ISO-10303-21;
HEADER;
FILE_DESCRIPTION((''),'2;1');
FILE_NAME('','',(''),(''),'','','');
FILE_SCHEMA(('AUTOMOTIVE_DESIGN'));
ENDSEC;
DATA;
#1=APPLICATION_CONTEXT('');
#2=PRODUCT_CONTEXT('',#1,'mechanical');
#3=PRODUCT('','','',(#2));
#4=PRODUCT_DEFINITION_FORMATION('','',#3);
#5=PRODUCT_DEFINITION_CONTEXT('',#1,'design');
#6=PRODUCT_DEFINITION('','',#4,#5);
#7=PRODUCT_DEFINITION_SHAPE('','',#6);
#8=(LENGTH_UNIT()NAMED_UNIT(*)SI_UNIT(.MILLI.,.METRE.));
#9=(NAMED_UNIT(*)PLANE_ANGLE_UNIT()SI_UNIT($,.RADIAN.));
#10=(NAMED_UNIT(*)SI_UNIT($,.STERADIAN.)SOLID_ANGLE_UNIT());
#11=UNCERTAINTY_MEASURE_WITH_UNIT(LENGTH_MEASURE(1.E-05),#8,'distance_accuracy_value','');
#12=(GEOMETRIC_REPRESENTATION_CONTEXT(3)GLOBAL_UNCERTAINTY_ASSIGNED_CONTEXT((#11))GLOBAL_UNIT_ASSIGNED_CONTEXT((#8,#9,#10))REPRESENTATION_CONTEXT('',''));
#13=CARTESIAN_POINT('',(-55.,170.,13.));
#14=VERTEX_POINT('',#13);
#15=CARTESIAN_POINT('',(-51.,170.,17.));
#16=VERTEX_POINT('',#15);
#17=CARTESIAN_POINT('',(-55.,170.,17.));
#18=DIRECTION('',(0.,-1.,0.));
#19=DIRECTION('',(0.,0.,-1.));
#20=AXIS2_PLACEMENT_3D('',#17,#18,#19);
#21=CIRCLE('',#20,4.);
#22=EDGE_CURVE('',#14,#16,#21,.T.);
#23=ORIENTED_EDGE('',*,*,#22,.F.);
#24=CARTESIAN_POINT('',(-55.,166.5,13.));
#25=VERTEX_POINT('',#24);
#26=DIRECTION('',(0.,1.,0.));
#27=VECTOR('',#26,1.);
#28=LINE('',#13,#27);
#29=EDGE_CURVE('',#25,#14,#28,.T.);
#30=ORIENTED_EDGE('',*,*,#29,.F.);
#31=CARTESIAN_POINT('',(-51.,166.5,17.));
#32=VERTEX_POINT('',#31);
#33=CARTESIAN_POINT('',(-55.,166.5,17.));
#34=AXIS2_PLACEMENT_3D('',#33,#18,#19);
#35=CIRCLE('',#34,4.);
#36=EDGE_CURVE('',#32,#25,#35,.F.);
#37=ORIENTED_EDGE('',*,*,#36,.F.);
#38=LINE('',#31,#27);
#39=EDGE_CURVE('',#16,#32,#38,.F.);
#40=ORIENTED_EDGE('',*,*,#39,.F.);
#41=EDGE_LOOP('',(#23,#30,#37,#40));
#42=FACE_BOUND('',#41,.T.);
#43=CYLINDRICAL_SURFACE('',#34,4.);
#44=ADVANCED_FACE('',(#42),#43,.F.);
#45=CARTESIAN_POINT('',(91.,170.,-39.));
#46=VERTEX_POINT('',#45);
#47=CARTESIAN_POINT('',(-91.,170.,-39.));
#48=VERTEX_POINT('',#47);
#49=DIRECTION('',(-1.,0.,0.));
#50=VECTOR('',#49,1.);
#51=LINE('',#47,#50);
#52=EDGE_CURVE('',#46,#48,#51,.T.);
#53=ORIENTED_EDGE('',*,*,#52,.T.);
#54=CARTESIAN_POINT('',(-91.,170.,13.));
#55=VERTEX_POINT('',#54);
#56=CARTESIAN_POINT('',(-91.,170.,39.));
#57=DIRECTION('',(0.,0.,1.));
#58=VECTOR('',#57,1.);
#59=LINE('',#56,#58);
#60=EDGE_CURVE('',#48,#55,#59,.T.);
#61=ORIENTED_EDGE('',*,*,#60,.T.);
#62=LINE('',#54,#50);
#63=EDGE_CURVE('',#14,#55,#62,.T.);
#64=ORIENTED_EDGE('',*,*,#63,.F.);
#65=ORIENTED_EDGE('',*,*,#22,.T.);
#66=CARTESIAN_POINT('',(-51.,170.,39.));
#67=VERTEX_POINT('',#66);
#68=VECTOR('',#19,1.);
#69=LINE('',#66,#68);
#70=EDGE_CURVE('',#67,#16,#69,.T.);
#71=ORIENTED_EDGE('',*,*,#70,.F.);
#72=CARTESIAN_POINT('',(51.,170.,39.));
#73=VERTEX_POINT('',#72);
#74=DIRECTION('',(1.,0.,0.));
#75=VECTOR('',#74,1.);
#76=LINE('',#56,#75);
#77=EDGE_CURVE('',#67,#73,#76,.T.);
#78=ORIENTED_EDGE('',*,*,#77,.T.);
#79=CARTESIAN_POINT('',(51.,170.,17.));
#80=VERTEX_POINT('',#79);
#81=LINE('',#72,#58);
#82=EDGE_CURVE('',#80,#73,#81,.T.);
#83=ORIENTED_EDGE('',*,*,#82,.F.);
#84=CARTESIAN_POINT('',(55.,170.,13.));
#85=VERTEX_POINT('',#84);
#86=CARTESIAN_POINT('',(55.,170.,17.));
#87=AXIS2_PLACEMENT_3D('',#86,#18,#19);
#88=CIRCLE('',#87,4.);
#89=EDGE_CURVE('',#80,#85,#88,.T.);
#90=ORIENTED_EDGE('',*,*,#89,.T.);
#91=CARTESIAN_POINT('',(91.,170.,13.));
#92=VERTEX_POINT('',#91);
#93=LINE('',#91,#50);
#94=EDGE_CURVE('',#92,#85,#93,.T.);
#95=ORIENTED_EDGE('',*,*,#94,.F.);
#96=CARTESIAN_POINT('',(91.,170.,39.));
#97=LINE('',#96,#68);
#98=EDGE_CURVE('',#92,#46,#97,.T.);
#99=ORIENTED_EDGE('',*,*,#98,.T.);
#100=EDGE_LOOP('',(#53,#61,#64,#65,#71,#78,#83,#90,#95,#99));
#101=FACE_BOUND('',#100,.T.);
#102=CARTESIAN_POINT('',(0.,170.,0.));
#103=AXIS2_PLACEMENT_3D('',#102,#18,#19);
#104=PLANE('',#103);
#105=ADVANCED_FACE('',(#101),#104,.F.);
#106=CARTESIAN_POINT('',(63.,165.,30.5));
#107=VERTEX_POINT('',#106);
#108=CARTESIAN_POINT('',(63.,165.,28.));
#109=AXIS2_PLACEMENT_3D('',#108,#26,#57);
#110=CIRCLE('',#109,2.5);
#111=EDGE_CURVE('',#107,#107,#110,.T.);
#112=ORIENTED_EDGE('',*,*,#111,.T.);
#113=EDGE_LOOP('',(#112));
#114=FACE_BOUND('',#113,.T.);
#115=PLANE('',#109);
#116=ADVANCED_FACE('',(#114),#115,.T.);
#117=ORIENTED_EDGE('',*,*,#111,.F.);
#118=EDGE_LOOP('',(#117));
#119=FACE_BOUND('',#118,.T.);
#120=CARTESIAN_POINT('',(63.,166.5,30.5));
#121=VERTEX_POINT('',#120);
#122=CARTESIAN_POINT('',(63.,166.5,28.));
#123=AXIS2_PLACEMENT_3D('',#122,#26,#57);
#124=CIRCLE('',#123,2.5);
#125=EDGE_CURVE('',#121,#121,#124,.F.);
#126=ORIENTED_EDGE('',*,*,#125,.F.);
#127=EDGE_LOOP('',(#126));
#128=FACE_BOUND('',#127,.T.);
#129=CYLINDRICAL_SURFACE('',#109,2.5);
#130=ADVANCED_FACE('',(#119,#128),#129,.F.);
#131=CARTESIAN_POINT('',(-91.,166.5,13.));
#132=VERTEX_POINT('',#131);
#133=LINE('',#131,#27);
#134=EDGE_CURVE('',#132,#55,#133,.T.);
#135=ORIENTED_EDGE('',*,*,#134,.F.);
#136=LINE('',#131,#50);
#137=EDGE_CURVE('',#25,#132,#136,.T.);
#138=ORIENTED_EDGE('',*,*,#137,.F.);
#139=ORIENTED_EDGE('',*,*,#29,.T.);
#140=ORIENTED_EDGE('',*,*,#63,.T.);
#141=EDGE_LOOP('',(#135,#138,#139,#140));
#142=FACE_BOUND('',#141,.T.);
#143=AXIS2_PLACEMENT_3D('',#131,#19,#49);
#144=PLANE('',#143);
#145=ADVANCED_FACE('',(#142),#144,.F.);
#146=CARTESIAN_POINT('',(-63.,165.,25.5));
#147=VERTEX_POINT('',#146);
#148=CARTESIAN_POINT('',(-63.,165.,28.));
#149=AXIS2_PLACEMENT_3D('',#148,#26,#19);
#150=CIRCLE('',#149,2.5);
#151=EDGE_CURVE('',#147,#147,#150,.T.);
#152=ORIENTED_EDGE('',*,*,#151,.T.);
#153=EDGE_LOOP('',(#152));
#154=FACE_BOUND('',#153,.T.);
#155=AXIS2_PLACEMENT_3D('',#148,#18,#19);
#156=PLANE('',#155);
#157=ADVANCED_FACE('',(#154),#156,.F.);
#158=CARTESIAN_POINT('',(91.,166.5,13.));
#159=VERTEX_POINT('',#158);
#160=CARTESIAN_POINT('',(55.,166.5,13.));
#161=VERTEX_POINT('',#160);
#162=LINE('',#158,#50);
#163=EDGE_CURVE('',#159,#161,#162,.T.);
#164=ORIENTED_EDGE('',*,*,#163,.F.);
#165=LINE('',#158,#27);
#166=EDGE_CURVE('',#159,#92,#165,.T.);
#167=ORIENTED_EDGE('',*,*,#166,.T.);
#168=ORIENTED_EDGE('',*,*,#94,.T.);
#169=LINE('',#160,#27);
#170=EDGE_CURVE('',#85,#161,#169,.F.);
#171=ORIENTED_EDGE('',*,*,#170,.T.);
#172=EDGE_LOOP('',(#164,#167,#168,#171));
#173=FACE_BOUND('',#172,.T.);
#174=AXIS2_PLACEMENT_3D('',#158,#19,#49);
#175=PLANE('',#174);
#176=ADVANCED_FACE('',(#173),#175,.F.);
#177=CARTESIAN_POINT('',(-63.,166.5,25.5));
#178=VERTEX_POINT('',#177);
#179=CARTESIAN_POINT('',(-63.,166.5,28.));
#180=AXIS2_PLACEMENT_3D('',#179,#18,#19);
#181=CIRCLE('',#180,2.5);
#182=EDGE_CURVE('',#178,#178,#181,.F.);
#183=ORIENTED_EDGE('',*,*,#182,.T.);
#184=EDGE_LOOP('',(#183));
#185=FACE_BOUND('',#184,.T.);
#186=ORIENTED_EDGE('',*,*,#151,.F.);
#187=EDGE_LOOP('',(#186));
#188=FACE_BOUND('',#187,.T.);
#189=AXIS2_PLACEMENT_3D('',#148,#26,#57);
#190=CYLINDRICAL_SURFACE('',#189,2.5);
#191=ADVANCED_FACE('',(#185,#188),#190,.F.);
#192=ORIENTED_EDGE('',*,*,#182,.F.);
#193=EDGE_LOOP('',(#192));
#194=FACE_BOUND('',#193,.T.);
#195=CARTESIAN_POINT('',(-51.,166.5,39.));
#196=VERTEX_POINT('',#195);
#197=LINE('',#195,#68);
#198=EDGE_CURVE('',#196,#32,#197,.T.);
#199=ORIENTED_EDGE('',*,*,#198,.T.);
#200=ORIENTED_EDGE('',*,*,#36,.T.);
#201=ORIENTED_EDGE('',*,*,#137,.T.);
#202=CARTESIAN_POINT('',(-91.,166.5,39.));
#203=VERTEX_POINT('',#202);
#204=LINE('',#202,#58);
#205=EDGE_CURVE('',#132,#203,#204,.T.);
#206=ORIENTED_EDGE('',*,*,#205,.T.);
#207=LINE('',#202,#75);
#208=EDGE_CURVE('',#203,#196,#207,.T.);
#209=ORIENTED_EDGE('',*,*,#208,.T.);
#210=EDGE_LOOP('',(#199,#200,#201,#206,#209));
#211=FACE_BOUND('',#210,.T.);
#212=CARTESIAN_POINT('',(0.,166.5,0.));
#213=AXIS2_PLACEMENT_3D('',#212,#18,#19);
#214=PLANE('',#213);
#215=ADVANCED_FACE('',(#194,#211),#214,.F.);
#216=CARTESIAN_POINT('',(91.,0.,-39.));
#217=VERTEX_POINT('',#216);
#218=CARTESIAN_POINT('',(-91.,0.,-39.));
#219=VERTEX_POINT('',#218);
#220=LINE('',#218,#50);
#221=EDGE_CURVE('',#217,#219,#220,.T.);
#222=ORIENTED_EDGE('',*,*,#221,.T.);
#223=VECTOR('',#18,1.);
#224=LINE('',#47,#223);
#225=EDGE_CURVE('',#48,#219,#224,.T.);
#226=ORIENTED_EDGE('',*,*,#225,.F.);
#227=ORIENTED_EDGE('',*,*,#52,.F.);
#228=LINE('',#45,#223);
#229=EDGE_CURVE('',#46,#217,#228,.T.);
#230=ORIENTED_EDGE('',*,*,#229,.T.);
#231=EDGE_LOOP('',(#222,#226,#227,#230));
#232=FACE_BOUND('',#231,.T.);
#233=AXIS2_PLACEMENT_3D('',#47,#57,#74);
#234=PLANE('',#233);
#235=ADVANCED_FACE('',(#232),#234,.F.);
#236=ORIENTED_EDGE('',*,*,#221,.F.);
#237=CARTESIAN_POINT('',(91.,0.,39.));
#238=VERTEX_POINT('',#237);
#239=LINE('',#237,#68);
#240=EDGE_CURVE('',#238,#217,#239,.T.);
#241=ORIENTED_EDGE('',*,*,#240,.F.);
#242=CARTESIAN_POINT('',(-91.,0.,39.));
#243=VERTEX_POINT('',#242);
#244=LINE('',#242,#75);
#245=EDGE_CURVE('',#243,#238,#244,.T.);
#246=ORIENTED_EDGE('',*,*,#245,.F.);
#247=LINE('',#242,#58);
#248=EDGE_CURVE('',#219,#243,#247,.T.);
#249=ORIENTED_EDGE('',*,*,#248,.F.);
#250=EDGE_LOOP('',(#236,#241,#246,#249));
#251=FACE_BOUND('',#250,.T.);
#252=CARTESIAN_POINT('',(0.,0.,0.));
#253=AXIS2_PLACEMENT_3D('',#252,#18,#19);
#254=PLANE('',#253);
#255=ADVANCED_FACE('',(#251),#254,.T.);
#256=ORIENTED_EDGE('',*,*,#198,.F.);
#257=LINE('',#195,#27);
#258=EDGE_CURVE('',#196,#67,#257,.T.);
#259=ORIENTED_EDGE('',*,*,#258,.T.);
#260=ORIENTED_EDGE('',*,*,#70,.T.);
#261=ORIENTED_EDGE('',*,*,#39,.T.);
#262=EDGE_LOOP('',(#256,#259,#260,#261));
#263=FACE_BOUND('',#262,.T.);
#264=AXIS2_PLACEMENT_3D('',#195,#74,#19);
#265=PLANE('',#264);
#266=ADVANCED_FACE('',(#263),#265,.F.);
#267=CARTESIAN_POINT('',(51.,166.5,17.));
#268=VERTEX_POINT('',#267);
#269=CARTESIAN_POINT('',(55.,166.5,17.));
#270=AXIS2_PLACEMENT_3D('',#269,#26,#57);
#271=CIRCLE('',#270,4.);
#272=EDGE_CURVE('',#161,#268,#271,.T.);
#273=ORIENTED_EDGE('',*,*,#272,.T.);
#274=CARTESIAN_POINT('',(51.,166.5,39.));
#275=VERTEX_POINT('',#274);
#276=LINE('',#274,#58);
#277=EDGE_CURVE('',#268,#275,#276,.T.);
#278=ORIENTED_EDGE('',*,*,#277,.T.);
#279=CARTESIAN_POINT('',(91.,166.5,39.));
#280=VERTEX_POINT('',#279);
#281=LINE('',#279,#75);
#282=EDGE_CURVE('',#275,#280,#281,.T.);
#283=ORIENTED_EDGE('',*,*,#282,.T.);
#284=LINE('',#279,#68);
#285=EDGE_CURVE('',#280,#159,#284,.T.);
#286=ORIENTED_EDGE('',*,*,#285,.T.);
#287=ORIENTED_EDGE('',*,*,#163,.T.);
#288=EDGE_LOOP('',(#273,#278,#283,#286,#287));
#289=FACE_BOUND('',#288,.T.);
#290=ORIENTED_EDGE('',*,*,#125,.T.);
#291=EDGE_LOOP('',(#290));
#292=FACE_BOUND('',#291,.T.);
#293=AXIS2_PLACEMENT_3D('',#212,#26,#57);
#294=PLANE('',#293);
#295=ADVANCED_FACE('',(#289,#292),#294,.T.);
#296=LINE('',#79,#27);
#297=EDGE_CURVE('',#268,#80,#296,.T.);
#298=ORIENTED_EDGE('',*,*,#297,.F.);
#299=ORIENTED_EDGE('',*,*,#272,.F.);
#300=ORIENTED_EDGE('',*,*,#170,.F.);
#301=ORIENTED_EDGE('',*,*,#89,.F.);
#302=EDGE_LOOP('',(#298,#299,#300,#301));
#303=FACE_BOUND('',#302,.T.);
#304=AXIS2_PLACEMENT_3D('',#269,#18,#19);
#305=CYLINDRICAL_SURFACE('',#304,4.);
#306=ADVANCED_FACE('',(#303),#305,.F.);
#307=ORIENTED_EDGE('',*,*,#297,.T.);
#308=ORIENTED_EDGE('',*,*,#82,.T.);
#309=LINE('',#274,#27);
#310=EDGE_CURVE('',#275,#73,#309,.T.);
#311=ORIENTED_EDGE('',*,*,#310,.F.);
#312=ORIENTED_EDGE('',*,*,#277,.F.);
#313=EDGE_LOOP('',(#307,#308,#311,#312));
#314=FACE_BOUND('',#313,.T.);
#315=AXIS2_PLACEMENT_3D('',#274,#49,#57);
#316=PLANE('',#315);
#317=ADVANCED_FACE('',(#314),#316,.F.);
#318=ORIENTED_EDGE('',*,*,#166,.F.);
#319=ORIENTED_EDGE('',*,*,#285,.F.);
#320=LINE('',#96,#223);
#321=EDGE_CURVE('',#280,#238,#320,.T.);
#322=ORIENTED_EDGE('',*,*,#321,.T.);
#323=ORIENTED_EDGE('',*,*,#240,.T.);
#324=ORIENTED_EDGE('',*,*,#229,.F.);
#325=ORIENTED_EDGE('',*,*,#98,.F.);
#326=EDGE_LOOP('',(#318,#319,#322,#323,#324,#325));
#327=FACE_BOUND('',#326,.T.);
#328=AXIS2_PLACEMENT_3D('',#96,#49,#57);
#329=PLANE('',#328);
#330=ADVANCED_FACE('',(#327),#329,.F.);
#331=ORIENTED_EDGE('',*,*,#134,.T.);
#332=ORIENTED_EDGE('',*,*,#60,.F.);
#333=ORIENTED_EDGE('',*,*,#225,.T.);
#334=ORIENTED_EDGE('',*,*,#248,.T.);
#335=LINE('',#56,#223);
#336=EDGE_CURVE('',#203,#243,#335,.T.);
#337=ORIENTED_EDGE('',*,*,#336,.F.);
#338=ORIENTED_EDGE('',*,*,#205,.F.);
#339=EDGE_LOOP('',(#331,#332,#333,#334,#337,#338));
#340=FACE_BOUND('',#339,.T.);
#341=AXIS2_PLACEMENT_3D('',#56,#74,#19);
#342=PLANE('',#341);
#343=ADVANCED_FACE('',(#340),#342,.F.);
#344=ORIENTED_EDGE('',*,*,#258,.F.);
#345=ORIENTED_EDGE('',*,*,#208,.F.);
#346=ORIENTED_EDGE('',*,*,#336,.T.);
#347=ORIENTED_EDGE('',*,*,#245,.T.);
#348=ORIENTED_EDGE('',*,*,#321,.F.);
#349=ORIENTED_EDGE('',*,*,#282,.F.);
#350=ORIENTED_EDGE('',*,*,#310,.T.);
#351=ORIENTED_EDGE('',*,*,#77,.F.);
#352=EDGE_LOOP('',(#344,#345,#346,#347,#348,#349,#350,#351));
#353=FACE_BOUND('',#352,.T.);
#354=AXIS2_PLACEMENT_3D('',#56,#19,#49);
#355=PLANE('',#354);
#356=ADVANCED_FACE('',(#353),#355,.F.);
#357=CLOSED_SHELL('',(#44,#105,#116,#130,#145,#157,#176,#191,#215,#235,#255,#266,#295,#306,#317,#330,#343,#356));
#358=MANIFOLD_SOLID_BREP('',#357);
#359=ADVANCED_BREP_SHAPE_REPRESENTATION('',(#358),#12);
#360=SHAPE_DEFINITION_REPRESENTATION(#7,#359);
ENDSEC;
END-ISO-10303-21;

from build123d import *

# Parameters (mm, degrees)
SKETCH1_W           = 182
SKETCH1_H           = 78
BOSS_EXTRUDE1_DEPTH = 170
SKETCH3_R           = 2.5
CUT_EXTRUDE1_DEPTH  = 5
SKETCH4_W           = 40
SKETCH4_H           = 26
CUT_EXTRUDE2_DEPTH  = 3.5
FILLET1_R           = 4


with BuildPart() as part:
    # Sketch1 → Boss-Extrude1 (new body)
    with BuildSketch(Plane(origin=(0, 0, 0), x_dir=(1, 0, 0), z_dir=(0, 1, 0))):
        Rectangle(SKETCH1_W, SKETCH1_H)
    extrude(amount=BOSS_EXTRUDE1_DEPTH)

    # Sketch3 → Cut-Extrude1 (cut)
    with BuildSketch(Plane(origin=(0, 170, 0), x_dir=(1, 0, 0), z_dir=(0, 1, 0))):
        with Locations(Location((63, -28, 0), (0, 0, 270))):
            Circle(SKETCH3_R)
        with Locations(Location((-63, -28, 0), (0, 0, 90))):
            Circle(SKETCH3_R)
    extrude(amount=-CUT_EXTRUDE1_DEPTH, mode=Mode.SUBTRACT)

    # Sketch4 → Cut-Extrude2 (cut)
    with BuildSketch(Plane(origin=(0, 170, 0), x_dir=(1, 0, 0), z_dir=(0, 1, 0))):
        with Locations((-71, -26)):
            Rectangle(SKETCH4_W, SKETCH4_H)
        with Locations((71, -26)):
            Rectangle(SKETCH4_W, SKETCH4_H)
    extrude(amount=-CUT_EXTRUDE2_DEPTH, mode=Mode.SUBTRACT)

    # Fillet1
    fillet1_edges = [part.edges().sort_by_distance(p)[0] for p in [
        (-51, 168.25, 13),
        (51, 168.25, 13),
    ]]
    fillet(fillet1_edges, radius=FILLET1_R)


solid = part.part
